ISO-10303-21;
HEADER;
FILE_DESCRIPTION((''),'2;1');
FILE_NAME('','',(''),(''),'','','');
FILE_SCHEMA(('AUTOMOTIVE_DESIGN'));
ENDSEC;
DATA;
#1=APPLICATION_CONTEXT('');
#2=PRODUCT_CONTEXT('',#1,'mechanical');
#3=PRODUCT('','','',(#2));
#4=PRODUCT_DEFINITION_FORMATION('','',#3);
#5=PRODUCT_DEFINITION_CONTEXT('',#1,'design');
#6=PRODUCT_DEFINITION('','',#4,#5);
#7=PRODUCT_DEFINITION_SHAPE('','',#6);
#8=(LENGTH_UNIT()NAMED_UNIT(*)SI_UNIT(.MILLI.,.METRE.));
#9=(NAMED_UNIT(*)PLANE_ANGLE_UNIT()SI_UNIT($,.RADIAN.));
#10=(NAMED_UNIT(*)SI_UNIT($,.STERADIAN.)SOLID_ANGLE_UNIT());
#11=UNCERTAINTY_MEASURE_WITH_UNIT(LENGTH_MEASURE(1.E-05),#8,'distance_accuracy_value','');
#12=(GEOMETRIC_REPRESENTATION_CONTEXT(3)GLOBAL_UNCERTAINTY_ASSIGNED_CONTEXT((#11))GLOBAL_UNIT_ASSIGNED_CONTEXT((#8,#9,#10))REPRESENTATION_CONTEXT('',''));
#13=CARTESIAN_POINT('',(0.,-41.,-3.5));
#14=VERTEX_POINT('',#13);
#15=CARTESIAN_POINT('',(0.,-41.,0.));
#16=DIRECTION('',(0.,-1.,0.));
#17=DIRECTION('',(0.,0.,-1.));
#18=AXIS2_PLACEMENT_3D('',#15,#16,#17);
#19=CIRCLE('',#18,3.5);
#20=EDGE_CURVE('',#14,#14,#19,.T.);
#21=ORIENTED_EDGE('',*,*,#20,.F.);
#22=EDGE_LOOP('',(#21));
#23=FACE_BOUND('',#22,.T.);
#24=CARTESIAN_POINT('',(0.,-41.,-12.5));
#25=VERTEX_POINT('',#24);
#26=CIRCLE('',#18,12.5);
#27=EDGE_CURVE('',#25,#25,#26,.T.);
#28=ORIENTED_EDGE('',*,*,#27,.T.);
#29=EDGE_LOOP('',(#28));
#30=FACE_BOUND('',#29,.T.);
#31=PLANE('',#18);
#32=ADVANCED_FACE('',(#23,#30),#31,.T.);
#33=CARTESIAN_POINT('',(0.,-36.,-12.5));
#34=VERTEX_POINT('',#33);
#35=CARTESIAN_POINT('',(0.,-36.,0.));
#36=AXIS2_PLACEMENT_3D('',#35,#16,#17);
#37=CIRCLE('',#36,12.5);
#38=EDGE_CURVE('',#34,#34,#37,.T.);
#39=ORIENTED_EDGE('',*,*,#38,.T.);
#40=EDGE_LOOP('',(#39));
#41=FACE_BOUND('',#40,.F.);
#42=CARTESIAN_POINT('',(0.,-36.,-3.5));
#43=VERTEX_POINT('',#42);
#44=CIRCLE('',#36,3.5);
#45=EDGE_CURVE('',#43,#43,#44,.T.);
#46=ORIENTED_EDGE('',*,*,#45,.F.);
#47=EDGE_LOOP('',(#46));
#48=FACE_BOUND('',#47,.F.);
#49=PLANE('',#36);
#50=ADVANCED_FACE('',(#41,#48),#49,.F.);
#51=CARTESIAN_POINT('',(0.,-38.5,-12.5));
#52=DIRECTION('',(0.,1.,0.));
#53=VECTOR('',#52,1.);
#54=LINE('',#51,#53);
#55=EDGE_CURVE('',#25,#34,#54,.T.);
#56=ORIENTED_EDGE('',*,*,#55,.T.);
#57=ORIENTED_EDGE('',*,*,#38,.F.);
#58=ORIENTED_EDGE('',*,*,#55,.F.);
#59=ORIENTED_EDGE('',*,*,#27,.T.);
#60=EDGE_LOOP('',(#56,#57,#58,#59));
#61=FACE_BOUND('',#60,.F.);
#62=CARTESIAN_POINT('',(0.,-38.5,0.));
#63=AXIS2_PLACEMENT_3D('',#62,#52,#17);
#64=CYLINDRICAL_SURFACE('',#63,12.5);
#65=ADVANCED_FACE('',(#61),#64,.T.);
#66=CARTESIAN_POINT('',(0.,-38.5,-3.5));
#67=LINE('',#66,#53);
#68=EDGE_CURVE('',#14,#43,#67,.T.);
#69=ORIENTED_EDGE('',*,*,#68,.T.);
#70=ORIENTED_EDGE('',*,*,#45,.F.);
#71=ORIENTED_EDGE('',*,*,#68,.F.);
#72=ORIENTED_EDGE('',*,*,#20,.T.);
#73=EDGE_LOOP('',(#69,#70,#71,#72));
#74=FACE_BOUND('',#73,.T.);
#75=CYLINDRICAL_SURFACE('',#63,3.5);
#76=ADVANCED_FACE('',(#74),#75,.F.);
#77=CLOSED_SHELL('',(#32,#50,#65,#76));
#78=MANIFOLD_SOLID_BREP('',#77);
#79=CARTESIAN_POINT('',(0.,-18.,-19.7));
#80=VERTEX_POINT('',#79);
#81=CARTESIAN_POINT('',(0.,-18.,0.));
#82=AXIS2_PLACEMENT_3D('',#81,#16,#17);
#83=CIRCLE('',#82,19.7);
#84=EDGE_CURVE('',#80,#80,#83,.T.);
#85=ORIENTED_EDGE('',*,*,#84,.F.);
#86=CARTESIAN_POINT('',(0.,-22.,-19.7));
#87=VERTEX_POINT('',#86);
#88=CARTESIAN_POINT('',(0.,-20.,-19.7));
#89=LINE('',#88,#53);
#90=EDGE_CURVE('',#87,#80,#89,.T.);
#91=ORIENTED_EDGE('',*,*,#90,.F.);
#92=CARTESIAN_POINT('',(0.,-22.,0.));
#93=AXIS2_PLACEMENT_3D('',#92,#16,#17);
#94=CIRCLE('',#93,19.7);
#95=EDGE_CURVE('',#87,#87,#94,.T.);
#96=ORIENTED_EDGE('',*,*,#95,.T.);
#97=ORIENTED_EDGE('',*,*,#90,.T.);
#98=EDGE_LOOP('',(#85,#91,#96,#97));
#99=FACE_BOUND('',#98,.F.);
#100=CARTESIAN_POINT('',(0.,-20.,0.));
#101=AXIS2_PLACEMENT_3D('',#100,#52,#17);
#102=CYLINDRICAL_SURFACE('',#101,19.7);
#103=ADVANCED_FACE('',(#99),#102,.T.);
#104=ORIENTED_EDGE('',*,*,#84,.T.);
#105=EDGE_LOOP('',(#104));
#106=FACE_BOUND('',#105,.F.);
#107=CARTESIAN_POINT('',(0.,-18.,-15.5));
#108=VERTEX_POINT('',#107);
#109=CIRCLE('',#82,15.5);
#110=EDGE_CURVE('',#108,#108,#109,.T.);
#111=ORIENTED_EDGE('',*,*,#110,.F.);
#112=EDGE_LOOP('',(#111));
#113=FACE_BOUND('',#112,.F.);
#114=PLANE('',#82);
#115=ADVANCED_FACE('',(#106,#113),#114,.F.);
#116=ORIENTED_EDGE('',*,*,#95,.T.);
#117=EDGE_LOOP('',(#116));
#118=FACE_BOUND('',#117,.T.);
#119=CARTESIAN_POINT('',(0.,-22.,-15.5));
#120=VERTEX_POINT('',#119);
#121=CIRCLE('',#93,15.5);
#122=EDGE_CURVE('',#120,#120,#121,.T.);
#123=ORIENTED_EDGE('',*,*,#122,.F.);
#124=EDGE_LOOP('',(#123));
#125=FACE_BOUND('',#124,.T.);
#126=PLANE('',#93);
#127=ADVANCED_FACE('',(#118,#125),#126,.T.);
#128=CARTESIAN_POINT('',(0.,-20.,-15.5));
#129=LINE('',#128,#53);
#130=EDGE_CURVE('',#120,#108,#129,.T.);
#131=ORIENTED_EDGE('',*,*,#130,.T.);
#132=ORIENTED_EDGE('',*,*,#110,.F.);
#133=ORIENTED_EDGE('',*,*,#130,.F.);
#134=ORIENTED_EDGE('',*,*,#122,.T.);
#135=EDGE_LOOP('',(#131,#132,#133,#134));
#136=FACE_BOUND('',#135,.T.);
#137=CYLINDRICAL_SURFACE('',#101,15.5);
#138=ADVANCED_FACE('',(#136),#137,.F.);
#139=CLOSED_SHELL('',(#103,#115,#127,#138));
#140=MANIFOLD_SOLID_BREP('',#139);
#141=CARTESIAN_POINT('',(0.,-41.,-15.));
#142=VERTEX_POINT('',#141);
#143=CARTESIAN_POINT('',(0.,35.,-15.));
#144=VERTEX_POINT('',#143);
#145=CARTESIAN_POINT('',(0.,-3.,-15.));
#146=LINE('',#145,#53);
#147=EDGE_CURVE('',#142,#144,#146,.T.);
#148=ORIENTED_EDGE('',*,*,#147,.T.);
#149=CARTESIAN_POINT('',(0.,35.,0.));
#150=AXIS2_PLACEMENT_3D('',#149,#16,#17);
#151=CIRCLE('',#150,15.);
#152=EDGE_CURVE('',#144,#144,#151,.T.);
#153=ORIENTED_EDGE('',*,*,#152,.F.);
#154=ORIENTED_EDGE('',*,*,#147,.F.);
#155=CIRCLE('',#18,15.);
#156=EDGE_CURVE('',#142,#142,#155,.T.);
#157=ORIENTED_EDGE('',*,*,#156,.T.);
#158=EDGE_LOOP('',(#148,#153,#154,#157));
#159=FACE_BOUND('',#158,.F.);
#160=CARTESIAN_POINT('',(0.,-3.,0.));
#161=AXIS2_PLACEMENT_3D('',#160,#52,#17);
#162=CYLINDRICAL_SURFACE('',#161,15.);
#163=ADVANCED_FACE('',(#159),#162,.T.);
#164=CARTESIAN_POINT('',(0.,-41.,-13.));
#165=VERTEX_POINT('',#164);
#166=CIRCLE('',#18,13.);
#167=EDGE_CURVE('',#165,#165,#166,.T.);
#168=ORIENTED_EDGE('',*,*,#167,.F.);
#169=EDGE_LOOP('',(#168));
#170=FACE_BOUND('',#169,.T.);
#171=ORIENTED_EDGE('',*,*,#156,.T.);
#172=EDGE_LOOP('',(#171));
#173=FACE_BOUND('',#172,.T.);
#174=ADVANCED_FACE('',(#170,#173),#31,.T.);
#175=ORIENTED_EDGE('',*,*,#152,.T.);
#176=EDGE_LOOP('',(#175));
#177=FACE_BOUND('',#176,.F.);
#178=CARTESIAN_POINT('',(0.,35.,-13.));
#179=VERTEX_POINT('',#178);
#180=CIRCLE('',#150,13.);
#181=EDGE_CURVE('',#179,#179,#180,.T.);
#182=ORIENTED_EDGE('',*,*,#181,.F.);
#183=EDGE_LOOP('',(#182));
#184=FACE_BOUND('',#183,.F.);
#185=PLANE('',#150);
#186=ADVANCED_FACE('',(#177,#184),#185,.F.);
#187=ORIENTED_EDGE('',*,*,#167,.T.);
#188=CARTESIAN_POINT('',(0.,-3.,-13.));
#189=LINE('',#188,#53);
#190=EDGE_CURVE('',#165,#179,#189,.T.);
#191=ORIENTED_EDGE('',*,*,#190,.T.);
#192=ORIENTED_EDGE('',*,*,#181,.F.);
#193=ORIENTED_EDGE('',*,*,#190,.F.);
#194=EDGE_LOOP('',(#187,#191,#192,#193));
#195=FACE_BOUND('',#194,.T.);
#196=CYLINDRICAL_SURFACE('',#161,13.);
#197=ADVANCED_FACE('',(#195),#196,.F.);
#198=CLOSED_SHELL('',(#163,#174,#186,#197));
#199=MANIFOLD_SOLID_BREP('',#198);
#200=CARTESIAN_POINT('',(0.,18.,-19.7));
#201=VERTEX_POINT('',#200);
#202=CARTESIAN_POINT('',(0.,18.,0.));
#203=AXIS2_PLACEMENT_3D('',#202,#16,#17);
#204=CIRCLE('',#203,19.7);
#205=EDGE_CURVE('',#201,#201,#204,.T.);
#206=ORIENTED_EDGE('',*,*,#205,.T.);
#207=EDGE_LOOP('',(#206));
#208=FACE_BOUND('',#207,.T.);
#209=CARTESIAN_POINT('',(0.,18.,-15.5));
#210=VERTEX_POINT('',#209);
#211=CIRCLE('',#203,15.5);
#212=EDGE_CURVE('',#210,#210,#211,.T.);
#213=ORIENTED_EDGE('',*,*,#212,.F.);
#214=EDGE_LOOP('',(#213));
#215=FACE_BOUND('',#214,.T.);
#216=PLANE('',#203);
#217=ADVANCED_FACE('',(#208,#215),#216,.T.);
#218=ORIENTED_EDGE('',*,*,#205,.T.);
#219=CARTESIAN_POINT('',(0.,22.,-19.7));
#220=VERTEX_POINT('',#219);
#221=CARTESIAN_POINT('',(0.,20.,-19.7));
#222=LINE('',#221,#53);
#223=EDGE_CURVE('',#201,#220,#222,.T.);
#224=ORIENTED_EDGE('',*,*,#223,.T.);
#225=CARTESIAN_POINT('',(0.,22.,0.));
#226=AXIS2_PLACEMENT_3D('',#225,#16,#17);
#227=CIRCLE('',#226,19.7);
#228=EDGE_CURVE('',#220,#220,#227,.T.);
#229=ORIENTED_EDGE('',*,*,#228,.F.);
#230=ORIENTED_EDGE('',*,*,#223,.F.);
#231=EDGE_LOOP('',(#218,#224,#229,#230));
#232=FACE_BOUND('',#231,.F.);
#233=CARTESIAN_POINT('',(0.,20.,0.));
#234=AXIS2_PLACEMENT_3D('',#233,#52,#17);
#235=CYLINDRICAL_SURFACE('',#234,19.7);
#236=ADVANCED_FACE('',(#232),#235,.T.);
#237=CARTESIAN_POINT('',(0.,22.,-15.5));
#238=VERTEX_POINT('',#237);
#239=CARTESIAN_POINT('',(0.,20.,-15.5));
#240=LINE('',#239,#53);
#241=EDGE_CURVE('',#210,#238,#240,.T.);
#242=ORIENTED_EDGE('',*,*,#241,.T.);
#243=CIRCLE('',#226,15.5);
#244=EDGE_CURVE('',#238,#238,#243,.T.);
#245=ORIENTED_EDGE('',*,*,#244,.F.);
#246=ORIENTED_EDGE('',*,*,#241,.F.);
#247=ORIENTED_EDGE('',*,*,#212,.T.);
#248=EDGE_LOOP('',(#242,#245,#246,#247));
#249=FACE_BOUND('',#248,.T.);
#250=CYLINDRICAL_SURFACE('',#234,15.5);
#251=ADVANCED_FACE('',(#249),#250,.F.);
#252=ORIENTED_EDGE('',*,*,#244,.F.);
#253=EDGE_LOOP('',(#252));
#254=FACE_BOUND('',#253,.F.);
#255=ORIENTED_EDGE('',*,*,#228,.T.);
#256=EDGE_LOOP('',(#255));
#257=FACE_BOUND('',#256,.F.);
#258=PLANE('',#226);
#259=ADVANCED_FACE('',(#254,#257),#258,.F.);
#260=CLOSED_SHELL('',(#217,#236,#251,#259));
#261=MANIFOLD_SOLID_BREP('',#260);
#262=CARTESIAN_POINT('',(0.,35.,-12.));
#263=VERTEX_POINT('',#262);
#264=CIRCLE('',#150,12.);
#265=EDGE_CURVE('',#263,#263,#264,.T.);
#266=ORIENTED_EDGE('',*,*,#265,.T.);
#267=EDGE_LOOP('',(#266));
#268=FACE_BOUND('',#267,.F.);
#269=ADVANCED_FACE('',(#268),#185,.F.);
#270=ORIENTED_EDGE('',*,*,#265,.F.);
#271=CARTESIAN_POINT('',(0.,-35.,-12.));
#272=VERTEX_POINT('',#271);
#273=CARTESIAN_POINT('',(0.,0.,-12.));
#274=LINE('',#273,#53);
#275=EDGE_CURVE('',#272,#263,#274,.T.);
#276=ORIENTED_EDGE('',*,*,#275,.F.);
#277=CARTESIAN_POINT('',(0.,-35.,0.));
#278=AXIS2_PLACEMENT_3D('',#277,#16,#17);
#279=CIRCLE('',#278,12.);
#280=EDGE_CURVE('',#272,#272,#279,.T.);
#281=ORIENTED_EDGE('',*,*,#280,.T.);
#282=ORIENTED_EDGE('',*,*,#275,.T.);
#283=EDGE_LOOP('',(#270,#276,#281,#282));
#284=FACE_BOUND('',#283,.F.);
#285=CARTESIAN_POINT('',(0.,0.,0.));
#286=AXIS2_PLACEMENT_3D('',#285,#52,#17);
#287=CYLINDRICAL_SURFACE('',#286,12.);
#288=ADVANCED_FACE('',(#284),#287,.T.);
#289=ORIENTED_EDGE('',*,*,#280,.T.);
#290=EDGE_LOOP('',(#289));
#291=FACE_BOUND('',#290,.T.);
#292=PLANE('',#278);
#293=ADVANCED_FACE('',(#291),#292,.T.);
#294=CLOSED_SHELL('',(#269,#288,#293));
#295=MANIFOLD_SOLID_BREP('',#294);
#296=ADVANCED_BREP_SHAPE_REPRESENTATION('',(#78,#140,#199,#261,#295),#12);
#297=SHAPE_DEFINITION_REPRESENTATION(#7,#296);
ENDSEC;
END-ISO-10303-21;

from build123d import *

# Parameters (mm, degrees)
F0_W = 70
F0_H = 12
F2_W = 76
F2_H = 2
F4_W = 4
F4_H = 4.2
F6_W = 5
F6_H = 9


with BuildPart() as f1:
    # F0 (on Right) → F1 (revolve)
    with BuildSketch(Plane.YZ):
        with Locations((0, -6)):
            Rectangle(F0_W, F0_H)
    revolve(axis=Axis((0, 0, 0), (0, -1, 0)))


with BuildPart() as f3:
    # F2 (on Right) → F3 (revolve)
    with BuildSketch(Plane.YZ):
        with Locations((-3, -14)):
            Rectangle(F2_W, F2_H)
    revolve(axis=Axis((0, 2.477687, 0), (0, -1, 0)))


with BuildPart() as f5:
    # F4 (on Right) → F5 (revolve)
    with BuildSketch(Plane.YZ):
        with Locations((-20, -17.6)):
            Rectangle(F4_W, F4_H)
        with Locations((20, -17.6)):
            Rectangle(F4_W, F4_H)
    revolve(axis=Axis((0, 2.477687, 0), (0, -1, 0)))


with BuildPart() as f7:
    # F6 (on Right) → F7 (revolve)
    with BuildSketch(Plane.YZ):
        with Locations((-38.5, -8)):
            Rectangle(F6_W, F6_H)
    revolve(axis=Axis((0, 2.477687, 0), (0, -1, 0)))


solid = Compound([f1.part, f3.part, f5.part, f7.part])
